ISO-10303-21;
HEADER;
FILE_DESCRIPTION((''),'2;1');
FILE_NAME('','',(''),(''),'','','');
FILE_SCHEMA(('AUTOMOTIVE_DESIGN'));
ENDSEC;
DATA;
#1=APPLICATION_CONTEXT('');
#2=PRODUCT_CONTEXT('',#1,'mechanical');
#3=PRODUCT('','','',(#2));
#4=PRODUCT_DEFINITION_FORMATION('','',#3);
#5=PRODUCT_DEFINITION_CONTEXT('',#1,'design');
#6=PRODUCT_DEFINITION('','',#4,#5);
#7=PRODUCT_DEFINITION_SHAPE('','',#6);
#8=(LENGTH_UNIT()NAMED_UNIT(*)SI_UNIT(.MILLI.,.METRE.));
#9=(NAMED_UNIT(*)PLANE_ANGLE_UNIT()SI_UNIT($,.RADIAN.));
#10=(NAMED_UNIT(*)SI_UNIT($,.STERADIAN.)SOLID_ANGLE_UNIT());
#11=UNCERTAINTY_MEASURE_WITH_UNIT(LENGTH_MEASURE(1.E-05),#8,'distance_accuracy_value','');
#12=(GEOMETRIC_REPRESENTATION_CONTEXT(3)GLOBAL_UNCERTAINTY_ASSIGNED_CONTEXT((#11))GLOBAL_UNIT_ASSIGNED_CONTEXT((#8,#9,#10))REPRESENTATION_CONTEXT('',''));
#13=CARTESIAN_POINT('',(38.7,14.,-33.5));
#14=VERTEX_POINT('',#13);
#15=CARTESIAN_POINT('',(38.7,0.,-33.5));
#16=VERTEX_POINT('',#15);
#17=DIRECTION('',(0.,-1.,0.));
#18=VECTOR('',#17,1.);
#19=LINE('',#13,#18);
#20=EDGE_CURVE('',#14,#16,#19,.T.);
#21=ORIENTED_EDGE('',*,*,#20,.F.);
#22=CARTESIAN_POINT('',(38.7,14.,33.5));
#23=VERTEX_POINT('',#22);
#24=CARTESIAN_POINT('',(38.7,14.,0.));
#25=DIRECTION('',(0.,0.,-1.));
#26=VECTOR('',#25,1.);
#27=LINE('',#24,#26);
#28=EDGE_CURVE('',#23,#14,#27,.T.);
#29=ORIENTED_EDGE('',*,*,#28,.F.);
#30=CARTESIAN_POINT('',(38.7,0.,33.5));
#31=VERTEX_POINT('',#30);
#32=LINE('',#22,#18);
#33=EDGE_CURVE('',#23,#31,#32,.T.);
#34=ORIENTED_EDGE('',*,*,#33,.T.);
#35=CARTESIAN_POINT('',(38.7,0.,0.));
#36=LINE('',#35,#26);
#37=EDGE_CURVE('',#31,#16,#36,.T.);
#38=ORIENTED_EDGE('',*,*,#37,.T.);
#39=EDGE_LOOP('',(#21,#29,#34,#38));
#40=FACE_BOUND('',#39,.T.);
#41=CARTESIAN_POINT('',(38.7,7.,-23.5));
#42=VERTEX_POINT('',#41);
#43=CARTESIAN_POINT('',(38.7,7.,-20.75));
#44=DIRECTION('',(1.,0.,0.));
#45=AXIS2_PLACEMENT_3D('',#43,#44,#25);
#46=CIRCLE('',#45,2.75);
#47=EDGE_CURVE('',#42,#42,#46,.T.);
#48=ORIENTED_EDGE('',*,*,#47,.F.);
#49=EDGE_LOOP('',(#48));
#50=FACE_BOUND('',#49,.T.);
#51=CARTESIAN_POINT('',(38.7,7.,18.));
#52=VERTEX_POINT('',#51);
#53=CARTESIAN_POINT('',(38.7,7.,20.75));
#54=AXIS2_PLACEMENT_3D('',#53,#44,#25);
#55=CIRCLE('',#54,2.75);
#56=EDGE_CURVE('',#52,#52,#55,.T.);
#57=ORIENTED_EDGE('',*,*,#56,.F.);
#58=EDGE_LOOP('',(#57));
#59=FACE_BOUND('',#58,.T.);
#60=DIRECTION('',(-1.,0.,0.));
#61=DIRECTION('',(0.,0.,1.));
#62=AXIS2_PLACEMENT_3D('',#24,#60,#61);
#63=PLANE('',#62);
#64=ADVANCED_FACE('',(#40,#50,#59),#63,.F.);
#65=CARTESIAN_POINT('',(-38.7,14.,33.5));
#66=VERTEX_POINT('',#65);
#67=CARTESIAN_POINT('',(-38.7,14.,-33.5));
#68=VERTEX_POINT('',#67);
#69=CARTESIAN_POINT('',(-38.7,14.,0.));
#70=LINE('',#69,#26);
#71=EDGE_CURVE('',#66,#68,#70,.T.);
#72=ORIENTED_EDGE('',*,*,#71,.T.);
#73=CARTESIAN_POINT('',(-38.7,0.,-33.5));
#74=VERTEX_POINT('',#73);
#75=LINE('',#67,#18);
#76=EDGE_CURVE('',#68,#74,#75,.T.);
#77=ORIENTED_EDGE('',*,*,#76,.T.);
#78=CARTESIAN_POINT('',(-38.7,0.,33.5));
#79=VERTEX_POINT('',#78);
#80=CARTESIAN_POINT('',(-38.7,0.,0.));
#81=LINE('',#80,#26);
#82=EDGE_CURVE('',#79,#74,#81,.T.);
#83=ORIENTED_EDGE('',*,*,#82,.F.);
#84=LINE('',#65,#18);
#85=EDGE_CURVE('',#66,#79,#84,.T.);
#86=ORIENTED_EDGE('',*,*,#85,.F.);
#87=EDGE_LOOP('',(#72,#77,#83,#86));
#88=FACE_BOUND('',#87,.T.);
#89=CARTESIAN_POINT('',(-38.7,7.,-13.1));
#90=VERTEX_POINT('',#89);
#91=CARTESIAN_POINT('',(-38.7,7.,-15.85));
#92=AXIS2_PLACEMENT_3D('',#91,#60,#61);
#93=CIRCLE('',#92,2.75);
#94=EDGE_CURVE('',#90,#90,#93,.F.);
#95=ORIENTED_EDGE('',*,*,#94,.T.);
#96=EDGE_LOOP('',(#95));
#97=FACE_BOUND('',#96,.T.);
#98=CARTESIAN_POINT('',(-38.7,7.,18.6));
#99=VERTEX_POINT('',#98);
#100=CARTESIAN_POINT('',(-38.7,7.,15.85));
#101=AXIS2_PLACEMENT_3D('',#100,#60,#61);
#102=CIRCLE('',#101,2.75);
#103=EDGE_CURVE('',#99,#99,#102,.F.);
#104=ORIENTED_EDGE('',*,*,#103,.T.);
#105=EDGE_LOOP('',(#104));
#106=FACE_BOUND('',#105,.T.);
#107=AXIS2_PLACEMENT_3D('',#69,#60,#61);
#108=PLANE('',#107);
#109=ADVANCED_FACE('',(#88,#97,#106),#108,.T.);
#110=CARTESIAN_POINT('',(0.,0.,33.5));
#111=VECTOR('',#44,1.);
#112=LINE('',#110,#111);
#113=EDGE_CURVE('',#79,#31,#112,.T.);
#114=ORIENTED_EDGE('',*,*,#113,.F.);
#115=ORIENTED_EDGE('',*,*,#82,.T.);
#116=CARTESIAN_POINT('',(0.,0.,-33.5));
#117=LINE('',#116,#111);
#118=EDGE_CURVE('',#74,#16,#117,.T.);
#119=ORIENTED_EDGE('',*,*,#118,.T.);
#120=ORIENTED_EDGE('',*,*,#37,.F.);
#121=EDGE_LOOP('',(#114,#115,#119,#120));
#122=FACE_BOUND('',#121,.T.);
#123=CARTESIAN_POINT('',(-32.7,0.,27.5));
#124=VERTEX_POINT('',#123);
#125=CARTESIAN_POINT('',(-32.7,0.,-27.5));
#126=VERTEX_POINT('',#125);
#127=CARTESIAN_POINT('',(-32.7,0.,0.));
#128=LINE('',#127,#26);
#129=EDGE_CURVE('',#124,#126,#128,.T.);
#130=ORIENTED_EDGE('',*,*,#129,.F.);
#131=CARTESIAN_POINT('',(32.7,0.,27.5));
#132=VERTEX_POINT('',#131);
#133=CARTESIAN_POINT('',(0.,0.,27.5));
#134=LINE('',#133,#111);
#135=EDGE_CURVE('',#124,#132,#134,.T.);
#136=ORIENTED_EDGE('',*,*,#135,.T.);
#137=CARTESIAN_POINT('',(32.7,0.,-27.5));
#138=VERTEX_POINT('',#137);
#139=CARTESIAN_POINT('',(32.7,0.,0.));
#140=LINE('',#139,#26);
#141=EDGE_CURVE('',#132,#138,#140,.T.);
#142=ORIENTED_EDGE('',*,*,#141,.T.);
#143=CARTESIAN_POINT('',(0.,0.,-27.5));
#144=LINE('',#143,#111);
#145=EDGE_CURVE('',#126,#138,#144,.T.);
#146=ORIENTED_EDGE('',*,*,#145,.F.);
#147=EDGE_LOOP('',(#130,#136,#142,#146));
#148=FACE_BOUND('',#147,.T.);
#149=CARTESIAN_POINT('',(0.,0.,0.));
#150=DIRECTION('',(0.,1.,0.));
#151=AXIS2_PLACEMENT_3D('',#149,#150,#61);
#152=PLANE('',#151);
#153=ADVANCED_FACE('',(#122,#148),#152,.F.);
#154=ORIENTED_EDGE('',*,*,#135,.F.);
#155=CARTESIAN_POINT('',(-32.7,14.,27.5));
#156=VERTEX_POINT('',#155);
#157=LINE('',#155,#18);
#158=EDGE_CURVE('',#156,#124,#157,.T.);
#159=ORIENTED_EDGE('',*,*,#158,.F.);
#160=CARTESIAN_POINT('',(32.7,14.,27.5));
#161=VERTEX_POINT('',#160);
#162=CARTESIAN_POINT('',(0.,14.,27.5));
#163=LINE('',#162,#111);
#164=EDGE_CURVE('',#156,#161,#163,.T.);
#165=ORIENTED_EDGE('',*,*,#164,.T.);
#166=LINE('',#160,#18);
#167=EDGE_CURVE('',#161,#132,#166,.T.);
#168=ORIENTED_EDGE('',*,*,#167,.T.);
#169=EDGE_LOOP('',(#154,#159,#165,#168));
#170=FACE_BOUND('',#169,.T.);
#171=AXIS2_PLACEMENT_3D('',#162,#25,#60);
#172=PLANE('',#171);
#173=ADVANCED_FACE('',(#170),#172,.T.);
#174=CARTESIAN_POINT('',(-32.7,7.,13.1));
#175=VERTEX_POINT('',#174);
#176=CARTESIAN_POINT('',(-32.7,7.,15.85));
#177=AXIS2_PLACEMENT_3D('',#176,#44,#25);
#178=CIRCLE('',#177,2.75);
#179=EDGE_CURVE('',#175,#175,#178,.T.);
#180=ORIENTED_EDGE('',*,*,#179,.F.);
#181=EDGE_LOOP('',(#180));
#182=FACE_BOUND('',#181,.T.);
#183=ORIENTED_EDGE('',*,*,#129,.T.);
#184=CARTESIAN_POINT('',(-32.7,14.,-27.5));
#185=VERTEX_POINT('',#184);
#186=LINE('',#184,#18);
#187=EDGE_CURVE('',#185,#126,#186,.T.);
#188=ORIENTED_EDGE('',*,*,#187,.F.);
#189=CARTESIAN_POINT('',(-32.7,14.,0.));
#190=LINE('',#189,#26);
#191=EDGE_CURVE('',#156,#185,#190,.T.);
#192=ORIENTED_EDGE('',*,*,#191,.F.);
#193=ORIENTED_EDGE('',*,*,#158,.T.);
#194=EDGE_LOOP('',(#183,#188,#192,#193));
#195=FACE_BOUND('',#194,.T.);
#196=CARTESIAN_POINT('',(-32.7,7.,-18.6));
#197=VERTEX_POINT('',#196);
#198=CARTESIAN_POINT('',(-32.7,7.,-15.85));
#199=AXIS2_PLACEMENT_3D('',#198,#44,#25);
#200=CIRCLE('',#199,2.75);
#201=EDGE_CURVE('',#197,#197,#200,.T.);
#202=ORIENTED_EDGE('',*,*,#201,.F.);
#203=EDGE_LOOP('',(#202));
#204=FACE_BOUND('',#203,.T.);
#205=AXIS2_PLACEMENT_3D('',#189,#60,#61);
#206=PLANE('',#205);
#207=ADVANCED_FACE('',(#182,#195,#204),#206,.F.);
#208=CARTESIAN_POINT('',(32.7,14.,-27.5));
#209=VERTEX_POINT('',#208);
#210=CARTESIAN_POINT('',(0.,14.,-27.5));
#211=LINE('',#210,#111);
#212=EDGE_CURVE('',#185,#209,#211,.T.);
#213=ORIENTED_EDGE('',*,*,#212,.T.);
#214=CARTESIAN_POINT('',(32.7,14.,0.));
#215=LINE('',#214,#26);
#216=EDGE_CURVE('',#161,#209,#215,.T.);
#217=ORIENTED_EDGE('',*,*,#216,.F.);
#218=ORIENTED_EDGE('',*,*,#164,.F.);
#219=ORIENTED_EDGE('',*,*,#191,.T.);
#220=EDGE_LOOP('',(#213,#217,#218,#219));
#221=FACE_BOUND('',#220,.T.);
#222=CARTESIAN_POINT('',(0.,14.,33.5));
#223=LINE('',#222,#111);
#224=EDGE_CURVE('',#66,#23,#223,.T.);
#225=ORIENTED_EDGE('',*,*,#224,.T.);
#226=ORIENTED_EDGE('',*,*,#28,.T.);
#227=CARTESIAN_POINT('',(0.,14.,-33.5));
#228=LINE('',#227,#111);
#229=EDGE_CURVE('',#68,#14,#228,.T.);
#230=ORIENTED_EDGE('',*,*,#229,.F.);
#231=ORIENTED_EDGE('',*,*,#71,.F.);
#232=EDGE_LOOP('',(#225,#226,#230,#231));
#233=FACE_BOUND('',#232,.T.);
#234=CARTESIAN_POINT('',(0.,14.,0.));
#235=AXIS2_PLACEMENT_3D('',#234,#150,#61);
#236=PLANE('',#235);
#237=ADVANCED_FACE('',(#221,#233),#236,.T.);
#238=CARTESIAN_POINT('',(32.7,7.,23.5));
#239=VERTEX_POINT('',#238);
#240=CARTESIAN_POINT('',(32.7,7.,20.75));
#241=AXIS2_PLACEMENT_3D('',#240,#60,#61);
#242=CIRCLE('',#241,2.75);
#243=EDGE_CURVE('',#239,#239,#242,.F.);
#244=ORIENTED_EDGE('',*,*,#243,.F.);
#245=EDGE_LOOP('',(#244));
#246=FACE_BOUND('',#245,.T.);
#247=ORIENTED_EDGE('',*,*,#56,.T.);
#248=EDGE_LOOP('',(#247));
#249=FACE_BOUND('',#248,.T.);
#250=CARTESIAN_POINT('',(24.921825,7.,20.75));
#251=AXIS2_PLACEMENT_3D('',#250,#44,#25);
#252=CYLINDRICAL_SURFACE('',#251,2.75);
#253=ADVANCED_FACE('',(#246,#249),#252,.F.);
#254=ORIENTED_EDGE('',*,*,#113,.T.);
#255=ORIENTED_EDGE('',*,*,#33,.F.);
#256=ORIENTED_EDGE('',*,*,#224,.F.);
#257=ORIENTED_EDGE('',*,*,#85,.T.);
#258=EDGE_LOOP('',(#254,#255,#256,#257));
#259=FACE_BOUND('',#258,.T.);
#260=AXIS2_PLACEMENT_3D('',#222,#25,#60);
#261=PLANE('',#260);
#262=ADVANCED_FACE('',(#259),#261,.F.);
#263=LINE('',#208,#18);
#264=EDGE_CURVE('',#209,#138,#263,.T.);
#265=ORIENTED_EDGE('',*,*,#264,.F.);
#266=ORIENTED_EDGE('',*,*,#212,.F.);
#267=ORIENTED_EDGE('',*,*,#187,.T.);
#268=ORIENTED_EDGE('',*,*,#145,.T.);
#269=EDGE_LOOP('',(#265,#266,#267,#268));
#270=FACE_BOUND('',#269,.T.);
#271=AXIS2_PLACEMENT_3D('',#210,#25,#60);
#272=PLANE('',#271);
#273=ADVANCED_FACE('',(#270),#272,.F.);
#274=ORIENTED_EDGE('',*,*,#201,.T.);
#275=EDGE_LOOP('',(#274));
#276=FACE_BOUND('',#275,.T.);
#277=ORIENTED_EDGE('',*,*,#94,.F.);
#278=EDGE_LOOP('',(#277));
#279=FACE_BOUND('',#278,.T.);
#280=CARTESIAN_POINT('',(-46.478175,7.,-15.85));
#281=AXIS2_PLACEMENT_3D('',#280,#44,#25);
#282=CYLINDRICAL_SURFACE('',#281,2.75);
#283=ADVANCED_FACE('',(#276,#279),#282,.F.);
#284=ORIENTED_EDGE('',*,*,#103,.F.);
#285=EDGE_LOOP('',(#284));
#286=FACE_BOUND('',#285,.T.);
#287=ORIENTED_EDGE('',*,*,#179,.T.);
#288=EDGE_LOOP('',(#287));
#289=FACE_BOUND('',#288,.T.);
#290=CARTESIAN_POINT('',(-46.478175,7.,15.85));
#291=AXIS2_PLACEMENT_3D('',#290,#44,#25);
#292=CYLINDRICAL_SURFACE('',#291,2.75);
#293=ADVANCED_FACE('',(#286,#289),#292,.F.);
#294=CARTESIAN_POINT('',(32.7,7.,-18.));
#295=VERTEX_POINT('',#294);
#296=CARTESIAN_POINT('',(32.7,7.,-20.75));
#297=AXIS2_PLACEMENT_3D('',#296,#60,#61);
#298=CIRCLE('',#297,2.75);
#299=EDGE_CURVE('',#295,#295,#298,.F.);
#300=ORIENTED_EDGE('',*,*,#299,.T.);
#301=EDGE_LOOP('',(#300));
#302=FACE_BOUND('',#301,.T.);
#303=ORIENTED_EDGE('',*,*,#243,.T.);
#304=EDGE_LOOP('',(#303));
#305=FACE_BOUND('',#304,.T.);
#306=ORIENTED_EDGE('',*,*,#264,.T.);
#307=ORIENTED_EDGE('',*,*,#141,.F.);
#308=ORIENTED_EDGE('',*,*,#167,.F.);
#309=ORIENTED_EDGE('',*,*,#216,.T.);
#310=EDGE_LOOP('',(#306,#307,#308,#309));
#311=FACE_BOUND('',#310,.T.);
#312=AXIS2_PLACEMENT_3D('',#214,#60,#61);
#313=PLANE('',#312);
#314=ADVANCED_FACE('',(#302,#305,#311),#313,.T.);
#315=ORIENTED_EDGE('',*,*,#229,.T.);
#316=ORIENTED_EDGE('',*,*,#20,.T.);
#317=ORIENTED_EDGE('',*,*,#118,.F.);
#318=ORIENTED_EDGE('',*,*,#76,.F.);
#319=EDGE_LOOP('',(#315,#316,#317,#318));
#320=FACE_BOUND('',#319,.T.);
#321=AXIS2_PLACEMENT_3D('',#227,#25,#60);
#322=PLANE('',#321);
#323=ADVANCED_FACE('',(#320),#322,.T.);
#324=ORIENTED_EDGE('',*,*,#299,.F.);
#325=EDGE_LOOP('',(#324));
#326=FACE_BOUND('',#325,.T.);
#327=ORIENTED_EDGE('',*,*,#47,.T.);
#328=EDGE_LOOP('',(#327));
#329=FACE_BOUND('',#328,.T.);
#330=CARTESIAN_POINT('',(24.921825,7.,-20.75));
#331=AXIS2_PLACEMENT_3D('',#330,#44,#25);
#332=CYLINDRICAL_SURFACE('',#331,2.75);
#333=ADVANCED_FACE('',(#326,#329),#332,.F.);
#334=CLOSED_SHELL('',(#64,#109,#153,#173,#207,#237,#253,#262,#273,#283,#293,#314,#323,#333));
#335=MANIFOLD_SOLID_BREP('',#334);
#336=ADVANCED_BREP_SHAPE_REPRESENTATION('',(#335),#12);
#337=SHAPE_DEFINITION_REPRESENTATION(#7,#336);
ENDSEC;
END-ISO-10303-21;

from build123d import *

# Parameters (mm, degrees)
SKETCH1_W           = 77.4
SKETCH1_H           = 67
SKETCH1_W_2         = 65.4
SKETCH1_H_2         = 55
BOSS_EXTRUDE1_DEPTH = 14
SKETCH2_R           = 2.75
CUT_EXTRUDE1_DEPTH  = 6
SKETCH3_R           = 2.75
CUT_EXTRUDE2_DEPTH  = 6


with BuildPart() as part:
    # Sketch1 → Boss-Extrude1 (new body)
    with BuildSketch(Plane(origin=(0, 0, 0), x_dir=(1, 0, 0), z_dir=(0, 1, 0))):
        Rectangle(SKETCH1_W, SKETCH1_H)
        Rectangle(SKETCH1_W_2, SKETCH1_H_2, mode=Mode.SUBTRACT)
    extrude(amount=BOSS_EXTRUDE1_DEPTH)

    # Sketch2 → Cut-Extrude1 (cut)
    with BuildSketch(Plane(origin=(38.7, 0, 0), x_dir=(0, 0, -1), z_dir=(1, 0, 0))):
        with Locations((-20.75, 7)):
            Circle(SKETCH2_R)
        with Locations((20.75, 7)):
            Circle(SKETCH2_R)
    extrude(amount=-CUT_EXTRUDE1_DEPTH, mode=Mode.SUBTRACT)

    # Sketch3 → Cut-Extrude2 (cut)
    with BuildSketch(Plane(origin=(-32.7, 0, 0), x_dir=(0, 0, -1), z_dir=(1, 0, 0))):
        with Locations((15.85, 7)):
            Circle(SKETCH3_R)
        with Locations((-15.85, 7)):
            Circle(SKETCH3_R)
    extrude(amount=-CUT_EXTRUDE2_DEPTH, mode=Mode.SUBTRACT)


solid = part.part
